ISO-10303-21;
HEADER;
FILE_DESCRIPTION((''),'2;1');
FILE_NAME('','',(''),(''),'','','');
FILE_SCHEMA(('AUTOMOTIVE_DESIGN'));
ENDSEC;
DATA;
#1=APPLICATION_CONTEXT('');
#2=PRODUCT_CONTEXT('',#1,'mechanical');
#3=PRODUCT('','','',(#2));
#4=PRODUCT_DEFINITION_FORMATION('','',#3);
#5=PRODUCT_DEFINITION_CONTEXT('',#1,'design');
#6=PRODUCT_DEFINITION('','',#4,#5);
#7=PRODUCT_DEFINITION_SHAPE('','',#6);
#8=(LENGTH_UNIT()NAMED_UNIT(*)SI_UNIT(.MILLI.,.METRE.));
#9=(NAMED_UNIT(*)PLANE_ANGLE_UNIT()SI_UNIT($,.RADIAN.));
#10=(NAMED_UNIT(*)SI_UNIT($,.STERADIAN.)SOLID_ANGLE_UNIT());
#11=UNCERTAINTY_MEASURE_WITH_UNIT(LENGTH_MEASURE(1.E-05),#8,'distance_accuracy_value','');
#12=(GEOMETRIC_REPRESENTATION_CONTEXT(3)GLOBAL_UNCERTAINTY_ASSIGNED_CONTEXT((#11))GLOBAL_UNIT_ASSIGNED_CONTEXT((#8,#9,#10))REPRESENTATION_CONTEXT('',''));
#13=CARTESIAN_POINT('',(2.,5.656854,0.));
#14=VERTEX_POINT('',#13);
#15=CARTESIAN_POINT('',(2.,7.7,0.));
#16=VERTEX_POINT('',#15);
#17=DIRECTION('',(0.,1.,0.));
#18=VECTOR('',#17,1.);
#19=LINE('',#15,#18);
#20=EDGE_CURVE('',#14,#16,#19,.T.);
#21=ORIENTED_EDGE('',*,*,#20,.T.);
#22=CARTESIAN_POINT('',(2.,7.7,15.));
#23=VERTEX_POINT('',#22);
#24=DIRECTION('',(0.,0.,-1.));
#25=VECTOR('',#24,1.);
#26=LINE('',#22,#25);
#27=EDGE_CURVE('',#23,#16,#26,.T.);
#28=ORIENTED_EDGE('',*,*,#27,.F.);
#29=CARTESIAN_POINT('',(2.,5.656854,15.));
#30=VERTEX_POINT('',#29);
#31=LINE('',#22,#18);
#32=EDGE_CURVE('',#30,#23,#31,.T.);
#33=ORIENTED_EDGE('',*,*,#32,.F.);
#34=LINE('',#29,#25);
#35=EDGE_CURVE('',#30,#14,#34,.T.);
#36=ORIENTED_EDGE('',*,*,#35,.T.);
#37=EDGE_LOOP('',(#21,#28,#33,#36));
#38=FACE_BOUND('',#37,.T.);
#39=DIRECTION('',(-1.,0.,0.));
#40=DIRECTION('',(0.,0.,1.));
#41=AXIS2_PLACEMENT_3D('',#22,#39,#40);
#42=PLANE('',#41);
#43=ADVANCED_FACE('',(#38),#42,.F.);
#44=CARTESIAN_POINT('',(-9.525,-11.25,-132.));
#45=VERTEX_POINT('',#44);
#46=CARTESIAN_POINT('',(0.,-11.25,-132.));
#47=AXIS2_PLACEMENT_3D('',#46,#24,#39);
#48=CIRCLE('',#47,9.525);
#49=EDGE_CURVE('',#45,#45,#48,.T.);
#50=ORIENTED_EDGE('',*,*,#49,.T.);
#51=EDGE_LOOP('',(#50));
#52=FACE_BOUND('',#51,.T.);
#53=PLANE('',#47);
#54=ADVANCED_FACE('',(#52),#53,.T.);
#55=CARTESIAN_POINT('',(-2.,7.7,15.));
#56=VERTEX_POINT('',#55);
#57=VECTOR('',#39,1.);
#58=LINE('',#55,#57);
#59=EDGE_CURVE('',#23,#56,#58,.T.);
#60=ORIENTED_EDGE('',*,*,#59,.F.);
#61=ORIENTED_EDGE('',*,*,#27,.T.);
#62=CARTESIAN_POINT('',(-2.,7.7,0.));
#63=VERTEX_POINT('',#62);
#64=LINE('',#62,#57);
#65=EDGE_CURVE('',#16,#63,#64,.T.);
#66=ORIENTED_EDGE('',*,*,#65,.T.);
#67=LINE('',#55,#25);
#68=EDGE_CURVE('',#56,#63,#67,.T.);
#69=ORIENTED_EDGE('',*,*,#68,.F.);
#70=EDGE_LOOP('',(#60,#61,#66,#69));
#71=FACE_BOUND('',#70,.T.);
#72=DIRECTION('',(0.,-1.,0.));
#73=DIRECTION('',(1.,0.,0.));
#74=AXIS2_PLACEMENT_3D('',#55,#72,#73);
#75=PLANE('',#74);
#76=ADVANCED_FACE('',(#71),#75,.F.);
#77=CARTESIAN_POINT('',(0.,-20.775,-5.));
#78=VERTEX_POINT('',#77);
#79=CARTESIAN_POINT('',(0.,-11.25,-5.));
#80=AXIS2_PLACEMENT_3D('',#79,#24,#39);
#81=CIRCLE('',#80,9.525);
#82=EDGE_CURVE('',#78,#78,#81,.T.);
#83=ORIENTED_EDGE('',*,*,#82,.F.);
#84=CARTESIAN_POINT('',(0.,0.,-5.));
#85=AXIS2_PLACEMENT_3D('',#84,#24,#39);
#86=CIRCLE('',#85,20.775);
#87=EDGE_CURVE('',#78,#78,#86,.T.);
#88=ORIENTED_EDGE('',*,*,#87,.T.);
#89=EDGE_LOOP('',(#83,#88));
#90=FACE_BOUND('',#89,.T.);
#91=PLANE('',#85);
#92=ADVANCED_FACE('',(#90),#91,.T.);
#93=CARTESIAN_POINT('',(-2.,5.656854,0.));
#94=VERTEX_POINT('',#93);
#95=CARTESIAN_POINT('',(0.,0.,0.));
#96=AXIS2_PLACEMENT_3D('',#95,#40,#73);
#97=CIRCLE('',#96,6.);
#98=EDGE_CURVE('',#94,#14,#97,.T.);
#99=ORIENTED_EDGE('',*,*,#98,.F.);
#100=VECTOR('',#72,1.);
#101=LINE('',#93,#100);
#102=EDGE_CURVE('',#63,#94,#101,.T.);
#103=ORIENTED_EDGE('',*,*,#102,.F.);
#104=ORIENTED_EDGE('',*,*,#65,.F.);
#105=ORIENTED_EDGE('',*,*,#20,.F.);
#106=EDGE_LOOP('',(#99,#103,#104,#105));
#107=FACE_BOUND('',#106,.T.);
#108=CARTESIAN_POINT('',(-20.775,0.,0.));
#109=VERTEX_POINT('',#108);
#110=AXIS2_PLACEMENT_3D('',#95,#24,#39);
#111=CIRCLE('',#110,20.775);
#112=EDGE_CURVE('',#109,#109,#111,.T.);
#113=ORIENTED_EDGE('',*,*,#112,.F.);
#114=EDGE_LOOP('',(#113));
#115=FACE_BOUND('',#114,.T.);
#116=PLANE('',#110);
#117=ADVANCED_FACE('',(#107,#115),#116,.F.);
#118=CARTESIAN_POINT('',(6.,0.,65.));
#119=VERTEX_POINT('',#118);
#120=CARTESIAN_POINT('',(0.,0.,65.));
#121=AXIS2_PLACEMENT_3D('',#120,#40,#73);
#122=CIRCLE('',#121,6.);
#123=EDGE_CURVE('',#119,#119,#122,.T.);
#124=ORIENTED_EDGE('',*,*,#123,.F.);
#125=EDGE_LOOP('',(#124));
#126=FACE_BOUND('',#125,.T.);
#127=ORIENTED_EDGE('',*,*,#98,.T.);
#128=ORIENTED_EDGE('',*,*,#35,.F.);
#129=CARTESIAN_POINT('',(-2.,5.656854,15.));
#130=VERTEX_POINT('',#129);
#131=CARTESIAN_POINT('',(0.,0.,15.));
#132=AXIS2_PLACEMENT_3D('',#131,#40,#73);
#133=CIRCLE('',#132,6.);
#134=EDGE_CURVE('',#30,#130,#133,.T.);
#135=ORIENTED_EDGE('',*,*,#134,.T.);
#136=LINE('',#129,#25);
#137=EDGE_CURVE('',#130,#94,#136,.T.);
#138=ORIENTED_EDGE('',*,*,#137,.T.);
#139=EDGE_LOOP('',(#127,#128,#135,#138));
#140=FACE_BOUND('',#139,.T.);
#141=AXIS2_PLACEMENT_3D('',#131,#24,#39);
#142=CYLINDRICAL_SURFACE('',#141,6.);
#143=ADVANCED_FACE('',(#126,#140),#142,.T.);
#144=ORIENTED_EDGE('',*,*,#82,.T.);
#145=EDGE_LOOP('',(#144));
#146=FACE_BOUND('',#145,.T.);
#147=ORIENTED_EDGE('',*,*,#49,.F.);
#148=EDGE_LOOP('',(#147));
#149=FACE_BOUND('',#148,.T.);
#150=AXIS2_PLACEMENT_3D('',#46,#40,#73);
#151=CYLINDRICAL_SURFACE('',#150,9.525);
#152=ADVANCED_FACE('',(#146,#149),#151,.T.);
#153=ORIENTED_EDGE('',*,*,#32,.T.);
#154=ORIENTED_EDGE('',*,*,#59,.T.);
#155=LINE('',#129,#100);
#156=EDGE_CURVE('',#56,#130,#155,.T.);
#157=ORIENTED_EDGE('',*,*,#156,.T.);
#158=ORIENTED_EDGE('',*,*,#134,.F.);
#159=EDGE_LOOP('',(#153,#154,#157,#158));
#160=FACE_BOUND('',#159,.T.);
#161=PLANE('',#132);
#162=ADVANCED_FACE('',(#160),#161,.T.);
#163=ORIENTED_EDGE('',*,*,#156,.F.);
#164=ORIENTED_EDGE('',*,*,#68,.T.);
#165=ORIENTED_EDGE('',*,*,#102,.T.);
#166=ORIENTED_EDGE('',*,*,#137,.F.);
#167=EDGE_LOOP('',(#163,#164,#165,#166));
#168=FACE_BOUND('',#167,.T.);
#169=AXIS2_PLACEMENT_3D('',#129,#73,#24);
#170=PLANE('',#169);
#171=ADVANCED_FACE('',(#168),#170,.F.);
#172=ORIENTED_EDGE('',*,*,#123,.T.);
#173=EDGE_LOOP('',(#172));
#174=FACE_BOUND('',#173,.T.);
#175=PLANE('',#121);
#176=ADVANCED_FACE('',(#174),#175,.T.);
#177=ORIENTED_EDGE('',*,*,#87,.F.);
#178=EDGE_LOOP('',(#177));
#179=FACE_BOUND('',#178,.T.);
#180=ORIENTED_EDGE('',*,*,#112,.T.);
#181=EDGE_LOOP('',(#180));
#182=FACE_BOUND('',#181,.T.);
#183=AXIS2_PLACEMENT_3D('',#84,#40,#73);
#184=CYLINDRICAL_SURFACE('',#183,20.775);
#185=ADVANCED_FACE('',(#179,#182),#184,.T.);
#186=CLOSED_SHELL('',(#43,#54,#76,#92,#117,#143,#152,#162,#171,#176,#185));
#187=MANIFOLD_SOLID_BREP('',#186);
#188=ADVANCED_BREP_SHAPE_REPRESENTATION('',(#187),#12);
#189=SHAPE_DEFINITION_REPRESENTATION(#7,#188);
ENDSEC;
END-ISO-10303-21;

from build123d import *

# Parameters (mm, degrees)
BOSS_EXTRUDE1_DEPTH = 15
SKETCH2_R           = 20.775
BOSS_EXTRUDE2_DEPTH = 5
SKETCH3_R           = 9.525
BOSS_EXTRUDE3_DEPTH = 127
SKETCH6_R           = 6
BOSS_EXTRUDE5_DEPTH = 50


with BuildPart() as part:
    # Sketch1 → Boss-Extrude1 (new body)
    with BuildSketch(Plane.XY):
        with BuildLine():
            Line((-2, 7.7), (2, 7.7))
            Line((2, 7.7), (2, 5.656854249))
            ThreePointArc((2, 5.656854249), (0, -6), (-2, 5.656854249))
            Line((-2, 5.656854249), (-2, 7.7))
        make_face()
    extrude(amount=BOSS_EXTRUDE1_DEPTH)

    # Sketch2 → Boss-Extrude2 (add)
    with BuildSketch(Plane(origin=(0, 0, 0), x_dir=(-1, 0, 0), z_dir=(0, 0, -1))):
        Circle(SKETCH2_R)
    extrude(amount=BOSS_EXTRUDE2_DEPTH)

    # Sketch3 → Boss-Extrude3 (add)
    with BuildSketch(Plane(origin=(0, 0, -5), x_dir=(-1, 0, 0), z_dir=(0, 0, -1))):
        with Locations((0, -11.25)):
            Circle(SKETCH3_R)
    extrude(amount=BOSS_EXTRUDE3_DEPTH)

    # Sketch6 → Boss-Extrude5 (add)
    with BuildSketch(Plane.XY.offset(15)):
        Circle(SKETCH6_R)
    extrude(amount=BOSS_EXTRUDE5_DEPTH)


solid = part.part
